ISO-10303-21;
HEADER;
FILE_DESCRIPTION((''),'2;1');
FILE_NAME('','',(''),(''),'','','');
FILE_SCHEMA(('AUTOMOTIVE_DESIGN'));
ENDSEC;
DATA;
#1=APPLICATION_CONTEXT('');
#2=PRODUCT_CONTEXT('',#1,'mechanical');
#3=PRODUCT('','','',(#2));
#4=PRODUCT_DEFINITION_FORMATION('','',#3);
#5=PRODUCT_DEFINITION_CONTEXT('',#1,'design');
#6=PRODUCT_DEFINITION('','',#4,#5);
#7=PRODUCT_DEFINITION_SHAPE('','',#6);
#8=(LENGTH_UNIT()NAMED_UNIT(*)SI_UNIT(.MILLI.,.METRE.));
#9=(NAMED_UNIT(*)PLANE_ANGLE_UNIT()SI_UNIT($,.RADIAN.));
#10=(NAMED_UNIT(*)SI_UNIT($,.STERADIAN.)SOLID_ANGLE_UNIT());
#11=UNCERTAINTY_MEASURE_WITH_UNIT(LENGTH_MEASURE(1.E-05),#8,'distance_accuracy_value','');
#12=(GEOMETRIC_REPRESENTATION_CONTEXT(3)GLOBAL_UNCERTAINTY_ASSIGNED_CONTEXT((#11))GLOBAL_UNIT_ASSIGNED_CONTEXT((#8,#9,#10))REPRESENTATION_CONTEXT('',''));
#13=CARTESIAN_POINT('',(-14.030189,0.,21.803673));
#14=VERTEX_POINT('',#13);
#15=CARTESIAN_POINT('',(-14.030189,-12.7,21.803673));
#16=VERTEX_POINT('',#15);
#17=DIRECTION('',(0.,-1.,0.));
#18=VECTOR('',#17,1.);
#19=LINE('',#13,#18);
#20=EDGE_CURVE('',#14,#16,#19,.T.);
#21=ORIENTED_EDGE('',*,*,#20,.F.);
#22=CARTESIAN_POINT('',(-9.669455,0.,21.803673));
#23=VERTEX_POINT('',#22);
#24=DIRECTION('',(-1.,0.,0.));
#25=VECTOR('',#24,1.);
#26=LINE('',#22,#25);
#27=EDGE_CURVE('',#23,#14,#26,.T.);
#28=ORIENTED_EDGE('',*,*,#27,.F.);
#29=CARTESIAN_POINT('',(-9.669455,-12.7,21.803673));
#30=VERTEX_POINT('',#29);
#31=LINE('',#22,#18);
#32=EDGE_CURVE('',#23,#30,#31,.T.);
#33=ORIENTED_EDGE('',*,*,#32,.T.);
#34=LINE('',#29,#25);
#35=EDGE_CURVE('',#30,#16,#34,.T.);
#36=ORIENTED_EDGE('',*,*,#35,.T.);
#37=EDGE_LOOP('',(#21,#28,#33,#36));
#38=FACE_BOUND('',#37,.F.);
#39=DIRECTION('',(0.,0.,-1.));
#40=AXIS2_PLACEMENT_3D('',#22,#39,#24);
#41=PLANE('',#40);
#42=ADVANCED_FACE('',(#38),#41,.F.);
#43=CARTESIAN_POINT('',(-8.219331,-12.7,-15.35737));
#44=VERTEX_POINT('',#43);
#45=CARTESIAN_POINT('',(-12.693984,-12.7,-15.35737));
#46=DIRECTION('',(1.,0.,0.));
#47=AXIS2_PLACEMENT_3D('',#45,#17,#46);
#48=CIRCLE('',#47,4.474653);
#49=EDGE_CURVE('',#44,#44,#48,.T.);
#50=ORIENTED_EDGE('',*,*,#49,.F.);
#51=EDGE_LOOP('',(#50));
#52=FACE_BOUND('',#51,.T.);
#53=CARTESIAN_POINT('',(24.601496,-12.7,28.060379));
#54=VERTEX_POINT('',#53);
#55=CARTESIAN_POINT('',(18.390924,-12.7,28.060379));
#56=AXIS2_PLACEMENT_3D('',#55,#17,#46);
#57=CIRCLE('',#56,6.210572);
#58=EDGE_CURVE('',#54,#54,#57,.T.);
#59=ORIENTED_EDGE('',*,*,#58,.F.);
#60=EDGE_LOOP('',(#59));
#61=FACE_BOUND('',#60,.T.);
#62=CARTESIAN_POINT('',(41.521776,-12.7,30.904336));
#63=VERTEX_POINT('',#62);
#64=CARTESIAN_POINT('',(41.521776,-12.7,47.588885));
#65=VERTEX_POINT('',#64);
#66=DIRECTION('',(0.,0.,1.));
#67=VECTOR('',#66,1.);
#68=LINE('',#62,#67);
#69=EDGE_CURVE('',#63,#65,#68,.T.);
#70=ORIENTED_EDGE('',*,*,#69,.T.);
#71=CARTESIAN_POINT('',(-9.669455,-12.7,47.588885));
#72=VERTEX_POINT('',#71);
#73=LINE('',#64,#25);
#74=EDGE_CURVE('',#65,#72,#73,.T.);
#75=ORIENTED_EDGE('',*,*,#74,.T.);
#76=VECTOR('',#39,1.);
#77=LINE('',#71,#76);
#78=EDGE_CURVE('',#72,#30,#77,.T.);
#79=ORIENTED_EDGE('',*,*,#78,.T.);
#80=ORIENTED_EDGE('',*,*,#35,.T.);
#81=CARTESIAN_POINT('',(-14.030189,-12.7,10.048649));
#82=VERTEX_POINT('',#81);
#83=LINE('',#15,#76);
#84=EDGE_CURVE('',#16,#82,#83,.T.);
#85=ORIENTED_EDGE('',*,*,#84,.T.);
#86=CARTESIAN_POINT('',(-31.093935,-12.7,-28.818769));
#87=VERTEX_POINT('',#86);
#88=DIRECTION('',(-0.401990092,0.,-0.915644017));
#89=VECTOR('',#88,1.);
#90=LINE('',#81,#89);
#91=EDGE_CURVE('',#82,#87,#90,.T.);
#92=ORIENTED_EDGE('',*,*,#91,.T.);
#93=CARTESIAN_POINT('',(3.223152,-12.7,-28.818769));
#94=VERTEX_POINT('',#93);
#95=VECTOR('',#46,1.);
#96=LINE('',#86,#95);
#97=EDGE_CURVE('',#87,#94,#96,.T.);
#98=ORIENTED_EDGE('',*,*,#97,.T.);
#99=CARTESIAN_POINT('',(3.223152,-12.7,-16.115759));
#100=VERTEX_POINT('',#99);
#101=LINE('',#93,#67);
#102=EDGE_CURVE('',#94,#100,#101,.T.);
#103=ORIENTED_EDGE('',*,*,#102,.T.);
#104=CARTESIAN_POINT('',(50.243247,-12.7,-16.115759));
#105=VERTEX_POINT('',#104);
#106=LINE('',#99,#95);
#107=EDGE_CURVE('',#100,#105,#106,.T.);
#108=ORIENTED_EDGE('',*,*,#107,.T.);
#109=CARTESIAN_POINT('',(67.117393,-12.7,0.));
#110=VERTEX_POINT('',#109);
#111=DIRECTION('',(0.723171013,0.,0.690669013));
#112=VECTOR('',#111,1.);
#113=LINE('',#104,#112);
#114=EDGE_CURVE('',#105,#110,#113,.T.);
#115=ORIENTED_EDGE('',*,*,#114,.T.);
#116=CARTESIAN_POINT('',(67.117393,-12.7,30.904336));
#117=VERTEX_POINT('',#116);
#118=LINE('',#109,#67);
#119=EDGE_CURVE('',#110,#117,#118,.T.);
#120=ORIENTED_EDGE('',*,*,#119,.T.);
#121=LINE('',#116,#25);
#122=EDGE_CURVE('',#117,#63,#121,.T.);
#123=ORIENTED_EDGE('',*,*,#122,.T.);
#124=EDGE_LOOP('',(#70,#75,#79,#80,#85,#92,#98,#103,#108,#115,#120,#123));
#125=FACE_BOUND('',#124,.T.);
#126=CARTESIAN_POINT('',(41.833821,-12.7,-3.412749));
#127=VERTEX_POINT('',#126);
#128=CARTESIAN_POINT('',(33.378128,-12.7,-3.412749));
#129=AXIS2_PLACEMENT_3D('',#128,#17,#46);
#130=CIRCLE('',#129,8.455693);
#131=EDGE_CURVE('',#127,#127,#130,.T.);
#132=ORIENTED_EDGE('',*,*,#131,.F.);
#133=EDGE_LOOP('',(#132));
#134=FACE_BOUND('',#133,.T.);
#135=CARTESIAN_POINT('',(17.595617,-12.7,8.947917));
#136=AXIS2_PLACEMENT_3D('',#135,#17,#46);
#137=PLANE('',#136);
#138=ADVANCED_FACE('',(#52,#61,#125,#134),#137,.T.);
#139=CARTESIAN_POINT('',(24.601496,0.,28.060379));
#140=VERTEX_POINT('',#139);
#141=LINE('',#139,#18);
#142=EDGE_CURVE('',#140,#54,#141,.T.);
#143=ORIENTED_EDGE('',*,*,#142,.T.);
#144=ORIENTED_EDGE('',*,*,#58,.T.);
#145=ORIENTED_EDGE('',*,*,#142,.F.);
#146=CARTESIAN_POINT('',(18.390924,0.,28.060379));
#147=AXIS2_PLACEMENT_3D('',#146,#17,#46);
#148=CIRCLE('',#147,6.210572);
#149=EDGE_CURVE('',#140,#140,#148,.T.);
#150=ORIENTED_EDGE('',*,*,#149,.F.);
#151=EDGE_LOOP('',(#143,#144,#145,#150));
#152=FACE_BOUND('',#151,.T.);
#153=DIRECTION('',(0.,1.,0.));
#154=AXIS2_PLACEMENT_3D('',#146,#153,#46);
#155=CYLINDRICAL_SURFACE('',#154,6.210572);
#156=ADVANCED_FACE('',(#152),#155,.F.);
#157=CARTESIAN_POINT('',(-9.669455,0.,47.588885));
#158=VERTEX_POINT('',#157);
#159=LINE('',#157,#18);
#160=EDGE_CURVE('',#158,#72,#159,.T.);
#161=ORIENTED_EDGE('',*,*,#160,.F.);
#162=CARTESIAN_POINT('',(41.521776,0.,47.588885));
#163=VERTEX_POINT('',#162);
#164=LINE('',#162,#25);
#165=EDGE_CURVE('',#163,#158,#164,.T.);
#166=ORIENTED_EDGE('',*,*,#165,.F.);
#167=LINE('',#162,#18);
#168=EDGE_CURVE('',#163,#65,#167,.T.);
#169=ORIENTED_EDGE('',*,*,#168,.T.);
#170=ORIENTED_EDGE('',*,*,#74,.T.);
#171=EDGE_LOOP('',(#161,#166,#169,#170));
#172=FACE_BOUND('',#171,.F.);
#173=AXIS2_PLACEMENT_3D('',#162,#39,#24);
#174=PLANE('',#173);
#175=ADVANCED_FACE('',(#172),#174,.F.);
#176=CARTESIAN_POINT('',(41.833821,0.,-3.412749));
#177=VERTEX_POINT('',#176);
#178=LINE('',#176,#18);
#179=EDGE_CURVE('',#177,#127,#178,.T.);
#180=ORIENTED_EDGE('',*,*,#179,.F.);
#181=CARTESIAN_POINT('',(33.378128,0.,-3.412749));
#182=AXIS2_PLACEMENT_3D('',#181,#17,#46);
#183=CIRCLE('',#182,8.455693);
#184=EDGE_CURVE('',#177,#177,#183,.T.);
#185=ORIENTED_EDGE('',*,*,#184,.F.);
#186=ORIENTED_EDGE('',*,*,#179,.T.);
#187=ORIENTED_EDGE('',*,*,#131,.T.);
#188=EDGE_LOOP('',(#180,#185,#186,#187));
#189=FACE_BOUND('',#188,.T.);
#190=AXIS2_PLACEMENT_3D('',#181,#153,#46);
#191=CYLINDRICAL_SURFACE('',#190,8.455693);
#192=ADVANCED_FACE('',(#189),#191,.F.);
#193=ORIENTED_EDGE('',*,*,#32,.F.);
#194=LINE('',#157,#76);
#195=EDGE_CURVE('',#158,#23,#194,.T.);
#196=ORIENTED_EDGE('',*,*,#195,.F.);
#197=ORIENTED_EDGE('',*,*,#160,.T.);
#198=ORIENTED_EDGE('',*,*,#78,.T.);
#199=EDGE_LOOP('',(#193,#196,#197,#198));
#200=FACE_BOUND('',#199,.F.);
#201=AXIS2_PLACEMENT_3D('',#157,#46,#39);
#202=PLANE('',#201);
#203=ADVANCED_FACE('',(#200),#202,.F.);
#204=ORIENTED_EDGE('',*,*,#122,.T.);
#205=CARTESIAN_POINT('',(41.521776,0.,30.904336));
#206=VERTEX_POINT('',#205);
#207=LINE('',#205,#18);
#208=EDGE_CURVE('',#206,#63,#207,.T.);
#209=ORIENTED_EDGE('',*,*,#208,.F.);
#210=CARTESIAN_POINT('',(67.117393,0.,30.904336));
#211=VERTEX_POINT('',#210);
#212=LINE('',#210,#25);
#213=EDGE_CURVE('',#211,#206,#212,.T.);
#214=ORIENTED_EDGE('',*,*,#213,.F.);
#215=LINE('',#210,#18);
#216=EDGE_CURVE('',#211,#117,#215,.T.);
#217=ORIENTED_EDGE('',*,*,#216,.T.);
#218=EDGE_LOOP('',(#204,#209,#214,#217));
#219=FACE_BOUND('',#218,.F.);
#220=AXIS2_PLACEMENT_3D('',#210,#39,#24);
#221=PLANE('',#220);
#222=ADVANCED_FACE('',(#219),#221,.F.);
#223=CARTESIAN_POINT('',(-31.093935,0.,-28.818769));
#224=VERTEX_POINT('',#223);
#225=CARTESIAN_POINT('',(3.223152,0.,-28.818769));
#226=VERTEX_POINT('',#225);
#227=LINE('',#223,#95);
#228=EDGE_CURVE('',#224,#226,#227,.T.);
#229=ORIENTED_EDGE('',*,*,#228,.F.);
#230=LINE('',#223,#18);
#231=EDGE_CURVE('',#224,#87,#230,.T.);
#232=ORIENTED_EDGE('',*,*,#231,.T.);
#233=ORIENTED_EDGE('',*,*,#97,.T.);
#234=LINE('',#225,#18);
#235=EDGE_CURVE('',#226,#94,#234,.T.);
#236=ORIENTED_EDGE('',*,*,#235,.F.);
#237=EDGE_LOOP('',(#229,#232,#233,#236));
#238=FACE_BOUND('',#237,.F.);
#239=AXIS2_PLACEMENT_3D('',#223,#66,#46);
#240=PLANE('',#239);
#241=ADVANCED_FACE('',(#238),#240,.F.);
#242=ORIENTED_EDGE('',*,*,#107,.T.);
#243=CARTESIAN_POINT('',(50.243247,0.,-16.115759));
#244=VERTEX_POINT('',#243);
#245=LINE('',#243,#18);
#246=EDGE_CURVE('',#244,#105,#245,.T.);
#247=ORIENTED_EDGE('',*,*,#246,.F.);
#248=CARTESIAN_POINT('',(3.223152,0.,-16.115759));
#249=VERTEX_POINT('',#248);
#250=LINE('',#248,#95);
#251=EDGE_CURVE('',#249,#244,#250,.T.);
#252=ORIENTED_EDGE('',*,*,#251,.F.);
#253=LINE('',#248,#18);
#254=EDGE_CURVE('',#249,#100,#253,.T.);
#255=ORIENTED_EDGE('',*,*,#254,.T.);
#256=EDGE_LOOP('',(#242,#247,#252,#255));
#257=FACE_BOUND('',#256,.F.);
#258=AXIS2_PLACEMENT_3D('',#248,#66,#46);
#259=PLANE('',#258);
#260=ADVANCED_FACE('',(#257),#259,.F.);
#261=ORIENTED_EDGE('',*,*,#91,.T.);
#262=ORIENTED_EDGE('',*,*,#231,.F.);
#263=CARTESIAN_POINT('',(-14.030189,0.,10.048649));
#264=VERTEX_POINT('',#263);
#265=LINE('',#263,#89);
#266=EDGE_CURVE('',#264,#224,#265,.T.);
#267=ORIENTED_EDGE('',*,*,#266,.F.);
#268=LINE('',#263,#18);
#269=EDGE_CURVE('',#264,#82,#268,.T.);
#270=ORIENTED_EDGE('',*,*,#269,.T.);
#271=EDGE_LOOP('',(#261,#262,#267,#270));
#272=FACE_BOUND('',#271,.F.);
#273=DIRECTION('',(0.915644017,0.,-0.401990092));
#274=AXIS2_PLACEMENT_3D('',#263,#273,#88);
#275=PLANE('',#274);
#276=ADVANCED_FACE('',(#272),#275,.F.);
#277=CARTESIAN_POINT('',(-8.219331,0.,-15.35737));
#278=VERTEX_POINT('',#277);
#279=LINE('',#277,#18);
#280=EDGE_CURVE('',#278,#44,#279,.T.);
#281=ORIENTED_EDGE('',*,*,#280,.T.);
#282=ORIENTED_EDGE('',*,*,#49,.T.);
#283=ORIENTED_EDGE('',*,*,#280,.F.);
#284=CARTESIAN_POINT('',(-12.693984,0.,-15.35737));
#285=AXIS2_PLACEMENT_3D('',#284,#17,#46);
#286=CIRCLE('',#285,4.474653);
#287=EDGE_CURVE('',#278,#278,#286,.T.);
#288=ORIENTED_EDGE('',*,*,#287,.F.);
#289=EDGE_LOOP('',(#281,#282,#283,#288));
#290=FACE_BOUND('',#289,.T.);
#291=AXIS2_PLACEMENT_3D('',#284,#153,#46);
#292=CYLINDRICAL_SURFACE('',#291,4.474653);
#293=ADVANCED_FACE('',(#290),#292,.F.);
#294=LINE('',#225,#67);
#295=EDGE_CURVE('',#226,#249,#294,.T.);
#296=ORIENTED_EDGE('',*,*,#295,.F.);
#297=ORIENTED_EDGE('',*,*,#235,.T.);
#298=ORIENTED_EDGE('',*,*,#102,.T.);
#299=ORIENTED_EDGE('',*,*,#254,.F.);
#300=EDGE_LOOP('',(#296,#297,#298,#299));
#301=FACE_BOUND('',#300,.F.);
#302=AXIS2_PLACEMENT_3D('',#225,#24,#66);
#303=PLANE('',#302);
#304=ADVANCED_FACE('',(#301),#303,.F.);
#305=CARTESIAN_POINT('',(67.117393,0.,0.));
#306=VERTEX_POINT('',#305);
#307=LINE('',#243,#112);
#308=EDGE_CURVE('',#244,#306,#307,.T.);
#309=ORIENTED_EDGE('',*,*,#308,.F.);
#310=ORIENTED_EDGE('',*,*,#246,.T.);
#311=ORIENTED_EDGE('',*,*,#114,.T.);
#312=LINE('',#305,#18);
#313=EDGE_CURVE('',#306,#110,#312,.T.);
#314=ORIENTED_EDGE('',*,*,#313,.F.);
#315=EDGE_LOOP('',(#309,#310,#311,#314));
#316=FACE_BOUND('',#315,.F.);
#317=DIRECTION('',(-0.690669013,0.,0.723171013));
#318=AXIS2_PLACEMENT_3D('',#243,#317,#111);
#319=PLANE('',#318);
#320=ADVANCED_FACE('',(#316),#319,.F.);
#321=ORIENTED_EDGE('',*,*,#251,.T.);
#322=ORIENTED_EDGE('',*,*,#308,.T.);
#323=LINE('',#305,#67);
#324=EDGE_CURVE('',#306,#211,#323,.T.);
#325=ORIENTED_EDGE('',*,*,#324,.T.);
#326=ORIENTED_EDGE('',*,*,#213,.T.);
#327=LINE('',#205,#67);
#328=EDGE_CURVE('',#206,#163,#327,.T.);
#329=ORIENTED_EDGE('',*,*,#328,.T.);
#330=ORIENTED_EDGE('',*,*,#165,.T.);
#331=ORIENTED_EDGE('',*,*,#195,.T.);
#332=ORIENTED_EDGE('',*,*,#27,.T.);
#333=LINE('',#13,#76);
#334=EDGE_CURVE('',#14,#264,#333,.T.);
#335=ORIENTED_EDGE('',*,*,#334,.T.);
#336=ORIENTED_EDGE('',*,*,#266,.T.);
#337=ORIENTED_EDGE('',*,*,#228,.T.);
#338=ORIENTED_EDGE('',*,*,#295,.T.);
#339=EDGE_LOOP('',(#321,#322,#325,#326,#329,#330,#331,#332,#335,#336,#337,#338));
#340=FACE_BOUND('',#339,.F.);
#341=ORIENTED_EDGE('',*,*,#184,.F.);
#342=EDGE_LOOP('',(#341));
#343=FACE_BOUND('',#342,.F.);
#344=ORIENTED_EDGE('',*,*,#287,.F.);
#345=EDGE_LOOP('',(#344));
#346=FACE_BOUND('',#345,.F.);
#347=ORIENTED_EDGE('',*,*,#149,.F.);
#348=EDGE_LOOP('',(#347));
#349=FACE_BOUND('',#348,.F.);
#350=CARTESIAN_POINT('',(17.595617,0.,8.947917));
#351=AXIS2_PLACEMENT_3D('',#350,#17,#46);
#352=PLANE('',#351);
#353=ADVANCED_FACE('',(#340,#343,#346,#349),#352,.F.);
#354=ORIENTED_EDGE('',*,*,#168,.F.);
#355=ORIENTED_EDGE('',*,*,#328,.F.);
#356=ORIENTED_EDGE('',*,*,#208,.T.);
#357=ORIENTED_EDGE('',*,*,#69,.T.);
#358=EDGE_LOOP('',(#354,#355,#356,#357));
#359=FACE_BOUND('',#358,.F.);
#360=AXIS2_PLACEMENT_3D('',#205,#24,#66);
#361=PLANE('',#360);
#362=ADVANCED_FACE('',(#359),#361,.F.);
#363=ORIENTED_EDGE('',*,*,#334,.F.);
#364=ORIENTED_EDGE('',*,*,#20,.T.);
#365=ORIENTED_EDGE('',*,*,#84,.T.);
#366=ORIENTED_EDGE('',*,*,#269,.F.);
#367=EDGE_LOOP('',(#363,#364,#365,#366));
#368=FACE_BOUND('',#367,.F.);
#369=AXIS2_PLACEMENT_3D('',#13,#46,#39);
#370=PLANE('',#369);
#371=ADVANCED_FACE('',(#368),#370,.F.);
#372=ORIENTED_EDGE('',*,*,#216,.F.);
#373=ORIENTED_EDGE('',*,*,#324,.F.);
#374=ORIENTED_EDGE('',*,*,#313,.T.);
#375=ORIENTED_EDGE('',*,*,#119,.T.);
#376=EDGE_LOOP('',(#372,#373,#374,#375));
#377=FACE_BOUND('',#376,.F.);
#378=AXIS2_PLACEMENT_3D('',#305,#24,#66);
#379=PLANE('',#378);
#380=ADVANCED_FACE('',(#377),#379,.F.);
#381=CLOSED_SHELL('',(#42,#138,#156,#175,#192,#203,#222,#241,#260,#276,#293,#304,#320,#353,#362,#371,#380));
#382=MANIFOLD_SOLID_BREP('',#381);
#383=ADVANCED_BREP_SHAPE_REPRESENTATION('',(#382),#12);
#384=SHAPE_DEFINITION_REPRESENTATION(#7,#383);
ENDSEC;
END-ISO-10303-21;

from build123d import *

# Parameters (mm, degrees)
F0_R     = 4.474653
F0_R_2   = 8.455693
F0_R_3   = 6.210572
F1_DEPTH = 12.7
F2_DEPTH = 12.7


with BuildPart() as f1:
    # F0 (on Front) → F1 (new body)
    with BuildSketch(Plane.XZ):
        Polygon((41.521776, 47.588885), (-9.669455, 47.588885), (-9.669455, 21.803673), (-14.030189, 21.803673), (-14.030189, 10.048649), (-31.093935, -28.818769), (3.223152, -28.818769), (3.223152, -16.115759), (50.243247, -16.115759), (67.117393, 0), (67.117393, 30.904336), (41.521776, 30.904336), align=None)
        with Locations((-12.693984, -15.35737)):
            Circle(F0_R, mode=Mode.SUBTRACT)
        with Locations((33.378128, -3.412749)):
            Circle(F0_R_2, mode=Mode.SUBTRACT)
        with Locations((18.390924, 28.060379)):
            Circle(F0_R_3, mode=Mode.SUBTRACT)
    extrude(amount=F1_DEPTH)

    # F0 (on Front) → F2 (join)
    with BuildSketch(Plane.XZ):
        Polygon((41.521776, 47.588885), (-9.669455, 47.588885), (-9.669455, 21.803673), (-14.030189, 21.803673), (-14.030189, 10.048649), (-31.093935, -28.818769), (3.223152, -28.818769), (3.223152, -16.115759), (50.243247, -16.115759), (67.117393, 0), (67.117393, 30.904336), (41.521776, 30.904336), align=None)
        with Locations((-12.693984, -15.35737)):
            Circle(F0_R, mode=Mode.SUBTRACT)
        with Locations((33.378128, -3.412749)):
            Circle(F0_R_2, mode=Mode.SUBTRACT)
        with Locations((18.390924, 28.060379)):
            Circle(F0_R_3, mode=Mode.SUBTRACT)
    extrude(amount=F2_DEPTH)


solid = f1.part
